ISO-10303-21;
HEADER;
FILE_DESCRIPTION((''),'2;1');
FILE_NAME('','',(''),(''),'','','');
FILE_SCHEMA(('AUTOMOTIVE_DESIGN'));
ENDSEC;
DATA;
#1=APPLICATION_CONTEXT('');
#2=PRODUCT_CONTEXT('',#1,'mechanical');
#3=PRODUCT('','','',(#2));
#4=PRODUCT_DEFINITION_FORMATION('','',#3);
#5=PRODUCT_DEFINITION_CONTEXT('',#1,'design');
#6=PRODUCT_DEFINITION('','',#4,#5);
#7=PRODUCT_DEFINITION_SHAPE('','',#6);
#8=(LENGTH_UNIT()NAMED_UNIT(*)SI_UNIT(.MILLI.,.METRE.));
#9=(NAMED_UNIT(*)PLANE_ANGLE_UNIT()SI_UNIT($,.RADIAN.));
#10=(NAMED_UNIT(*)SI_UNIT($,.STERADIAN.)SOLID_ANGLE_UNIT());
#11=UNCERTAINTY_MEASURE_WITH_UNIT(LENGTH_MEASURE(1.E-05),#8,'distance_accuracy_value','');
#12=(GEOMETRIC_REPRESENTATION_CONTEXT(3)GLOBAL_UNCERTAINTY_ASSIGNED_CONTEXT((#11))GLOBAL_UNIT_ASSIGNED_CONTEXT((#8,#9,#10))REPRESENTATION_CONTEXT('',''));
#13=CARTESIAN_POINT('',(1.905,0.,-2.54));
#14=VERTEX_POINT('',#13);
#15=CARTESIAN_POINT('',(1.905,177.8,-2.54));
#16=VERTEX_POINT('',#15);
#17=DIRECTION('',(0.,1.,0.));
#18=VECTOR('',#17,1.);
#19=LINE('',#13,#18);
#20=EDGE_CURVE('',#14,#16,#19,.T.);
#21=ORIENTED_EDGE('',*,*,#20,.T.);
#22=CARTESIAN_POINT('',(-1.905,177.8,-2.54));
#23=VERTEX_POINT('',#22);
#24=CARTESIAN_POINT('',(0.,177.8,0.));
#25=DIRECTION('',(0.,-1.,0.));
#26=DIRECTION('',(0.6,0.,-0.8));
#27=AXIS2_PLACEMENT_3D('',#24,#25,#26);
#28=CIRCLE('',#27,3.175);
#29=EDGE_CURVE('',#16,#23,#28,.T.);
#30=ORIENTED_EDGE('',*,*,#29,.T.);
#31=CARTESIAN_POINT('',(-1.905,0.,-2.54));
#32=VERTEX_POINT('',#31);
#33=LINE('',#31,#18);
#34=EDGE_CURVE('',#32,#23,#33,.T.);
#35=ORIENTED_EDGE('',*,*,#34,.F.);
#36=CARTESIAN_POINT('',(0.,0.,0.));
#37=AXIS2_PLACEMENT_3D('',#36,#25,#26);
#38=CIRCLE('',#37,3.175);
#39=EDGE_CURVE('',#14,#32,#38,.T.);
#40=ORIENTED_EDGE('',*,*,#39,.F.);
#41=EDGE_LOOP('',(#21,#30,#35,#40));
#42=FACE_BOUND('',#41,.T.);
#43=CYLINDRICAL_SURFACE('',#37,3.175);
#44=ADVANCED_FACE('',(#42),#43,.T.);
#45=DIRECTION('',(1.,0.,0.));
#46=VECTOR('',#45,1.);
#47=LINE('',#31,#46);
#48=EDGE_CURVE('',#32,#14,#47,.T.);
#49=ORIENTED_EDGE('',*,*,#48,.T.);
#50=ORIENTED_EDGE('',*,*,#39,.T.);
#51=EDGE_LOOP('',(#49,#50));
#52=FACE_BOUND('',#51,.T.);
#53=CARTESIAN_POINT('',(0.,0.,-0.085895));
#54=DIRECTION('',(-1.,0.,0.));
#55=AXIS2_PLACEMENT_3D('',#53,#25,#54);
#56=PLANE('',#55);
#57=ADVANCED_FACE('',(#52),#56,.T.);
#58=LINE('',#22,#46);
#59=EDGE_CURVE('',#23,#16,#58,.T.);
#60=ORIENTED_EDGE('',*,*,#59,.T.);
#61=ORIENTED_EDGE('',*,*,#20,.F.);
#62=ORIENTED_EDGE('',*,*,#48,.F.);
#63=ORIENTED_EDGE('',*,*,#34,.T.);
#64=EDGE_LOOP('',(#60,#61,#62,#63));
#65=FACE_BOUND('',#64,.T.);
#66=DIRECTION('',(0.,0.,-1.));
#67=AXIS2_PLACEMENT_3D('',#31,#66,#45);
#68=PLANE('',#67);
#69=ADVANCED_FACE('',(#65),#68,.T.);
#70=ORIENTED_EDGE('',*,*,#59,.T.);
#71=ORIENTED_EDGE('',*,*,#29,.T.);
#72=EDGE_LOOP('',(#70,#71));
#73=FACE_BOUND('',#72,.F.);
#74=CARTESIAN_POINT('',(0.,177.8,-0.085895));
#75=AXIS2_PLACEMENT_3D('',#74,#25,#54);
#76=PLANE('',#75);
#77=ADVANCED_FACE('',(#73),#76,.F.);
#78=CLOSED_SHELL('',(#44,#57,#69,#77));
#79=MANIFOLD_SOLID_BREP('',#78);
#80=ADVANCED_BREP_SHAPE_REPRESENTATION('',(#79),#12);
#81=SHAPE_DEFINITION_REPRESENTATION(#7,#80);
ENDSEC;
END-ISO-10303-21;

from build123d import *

# Parameters (mm, degrees)
BOSS_EXTRUDE1_DEPTH = 177.8


with BuildPart() as part:
    # Sketch1 → Boss-Extrude1 (new body)
    with BuildSketch(Plane(origin=(0, 0, 0), x_dir=(1, 0, 0), z_dir=(0, 1, 0))):
        with BuildLine():
            Line((-1.905, 2.54), (1.905, 2.54))
            ThreePointArc((1.905, 2.54), (0, -3.175), (-1.905, 2.54))
        make_face()
    extrude(amount=BOSS_EXTRUDE1_DEPTH)


solid = part.part
